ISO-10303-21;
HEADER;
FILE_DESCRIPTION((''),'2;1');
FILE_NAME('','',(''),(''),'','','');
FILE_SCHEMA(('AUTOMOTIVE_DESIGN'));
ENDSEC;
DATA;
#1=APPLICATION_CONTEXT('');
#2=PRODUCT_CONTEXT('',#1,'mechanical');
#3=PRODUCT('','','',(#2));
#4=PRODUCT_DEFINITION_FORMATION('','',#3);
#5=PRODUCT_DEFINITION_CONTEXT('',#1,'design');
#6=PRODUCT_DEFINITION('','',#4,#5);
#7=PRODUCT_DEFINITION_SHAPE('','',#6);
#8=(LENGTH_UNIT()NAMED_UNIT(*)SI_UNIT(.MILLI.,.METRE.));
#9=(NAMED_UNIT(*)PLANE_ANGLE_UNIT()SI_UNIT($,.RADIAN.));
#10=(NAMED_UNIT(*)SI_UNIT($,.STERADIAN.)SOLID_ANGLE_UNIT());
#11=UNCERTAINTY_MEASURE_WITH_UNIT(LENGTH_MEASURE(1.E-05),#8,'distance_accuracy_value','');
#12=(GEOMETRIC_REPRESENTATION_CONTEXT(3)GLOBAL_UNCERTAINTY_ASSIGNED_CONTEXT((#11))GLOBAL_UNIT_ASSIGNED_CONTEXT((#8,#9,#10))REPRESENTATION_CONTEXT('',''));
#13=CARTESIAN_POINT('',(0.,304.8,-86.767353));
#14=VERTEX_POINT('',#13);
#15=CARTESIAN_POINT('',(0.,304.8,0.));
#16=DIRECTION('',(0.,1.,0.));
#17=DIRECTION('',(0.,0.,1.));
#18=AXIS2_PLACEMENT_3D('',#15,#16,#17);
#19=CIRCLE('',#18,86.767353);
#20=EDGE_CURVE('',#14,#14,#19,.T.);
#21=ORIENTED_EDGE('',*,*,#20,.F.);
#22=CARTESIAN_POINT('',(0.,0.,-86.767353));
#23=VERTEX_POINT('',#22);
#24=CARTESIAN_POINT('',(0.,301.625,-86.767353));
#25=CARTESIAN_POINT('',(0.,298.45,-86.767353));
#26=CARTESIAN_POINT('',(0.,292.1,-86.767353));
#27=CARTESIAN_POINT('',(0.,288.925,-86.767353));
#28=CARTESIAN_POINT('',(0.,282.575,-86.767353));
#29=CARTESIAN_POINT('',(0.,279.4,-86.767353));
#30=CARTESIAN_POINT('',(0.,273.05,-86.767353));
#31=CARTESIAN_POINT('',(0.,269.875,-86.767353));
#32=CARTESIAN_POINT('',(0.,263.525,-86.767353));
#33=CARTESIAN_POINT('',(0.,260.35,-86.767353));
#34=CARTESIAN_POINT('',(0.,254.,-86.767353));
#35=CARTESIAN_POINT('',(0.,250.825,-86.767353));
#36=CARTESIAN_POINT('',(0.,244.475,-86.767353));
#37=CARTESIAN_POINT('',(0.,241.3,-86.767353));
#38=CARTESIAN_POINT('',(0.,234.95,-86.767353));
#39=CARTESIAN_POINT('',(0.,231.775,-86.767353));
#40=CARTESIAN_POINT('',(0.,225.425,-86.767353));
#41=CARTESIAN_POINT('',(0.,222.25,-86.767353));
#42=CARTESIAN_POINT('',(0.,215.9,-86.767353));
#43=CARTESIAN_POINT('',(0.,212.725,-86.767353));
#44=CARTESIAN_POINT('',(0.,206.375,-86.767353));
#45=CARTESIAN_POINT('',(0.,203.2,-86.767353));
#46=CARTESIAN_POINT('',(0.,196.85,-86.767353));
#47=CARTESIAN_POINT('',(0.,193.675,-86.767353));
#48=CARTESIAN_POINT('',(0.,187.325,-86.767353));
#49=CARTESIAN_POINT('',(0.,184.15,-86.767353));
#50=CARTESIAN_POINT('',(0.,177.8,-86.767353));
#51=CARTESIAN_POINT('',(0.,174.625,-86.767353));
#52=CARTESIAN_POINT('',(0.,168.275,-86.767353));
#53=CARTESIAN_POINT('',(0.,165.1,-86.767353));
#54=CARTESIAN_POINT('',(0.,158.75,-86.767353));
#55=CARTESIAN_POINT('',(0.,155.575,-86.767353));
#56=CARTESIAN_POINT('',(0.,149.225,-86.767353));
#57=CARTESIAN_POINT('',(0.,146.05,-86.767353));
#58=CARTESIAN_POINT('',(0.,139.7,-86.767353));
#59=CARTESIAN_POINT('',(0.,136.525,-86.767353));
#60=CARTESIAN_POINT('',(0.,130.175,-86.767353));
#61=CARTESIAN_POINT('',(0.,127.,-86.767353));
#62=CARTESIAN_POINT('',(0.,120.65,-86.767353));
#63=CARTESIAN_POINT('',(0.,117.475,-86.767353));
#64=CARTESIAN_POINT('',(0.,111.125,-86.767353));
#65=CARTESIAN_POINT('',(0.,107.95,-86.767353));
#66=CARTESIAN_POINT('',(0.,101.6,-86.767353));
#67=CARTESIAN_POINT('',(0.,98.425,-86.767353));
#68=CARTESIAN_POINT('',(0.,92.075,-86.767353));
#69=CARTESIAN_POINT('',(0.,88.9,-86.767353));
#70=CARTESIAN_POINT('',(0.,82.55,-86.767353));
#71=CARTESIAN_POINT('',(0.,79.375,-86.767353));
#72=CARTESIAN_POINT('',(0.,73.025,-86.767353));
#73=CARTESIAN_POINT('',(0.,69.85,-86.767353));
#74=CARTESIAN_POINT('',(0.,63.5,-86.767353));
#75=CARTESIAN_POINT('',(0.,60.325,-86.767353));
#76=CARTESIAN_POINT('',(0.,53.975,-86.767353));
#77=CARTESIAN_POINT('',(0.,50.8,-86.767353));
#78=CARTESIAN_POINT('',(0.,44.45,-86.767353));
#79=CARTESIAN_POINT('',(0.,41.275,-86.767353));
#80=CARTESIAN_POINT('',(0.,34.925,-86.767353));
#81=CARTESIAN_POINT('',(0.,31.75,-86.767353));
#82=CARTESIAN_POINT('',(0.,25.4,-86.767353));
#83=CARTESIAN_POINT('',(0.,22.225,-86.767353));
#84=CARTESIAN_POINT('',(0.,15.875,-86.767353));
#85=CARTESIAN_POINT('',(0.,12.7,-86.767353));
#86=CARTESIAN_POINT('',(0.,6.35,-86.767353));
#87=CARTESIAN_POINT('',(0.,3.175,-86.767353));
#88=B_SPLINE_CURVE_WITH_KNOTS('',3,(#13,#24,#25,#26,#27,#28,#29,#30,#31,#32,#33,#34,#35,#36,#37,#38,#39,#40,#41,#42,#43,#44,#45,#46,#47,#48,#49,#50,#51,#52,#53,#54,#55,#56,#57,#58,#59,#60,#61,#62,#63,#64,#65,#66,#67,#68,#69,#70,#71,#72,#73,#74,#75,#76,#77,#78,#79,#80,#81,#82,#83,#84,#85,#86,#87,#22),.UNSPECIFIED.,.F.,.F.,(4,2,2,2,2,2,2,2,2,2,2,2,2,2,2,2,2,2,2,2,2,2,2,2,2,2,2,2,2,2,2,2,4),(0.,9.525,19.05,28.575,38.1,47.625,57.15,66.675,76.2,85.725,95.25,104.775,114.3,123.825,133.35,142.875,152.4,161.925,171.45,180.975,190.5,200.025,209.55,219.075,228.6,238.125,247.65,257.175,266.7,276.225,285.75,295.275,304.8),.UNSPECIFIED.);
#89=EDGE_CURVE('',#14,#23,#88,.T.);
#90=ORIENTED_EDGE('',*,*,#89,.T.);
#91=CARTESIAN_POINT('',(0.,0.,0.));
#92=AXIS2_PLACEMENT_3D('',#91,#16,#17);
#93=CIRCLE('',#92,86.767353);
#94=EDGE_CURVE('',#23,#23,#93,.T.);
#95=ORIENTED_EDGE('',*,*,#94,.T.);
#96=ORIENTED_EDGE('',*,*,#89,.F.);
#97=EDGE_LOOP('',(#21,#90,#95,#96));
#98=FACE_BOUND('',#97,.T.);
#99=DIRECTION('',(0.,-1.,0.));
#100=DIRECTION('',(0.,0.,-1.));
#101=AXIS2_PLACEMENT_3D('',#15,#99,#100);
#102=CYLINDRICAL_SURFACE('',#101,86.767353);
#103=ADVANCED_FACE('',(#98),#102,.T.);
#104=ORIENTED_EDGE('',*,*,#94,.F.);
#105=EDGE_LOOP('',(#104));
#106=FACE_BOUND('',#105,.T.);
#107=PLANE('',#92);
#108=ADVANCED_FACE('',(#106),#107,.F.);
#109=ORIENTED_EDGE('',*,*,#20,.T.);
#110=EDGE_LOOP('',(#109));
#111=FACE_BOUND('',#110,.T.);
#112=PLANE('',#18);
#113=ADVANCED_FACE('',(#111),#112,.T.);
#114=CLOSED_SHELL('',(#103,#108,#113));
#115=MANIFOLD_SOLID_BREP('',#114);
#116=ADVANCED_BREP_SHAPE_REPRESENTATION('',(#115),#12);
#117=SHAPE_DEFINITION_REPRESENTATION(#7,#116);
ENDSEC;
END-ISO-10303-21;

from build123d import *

# Parameters (mm, degrees)
SKETCH1_R           = 86.767352835
BOSS_EXTRUDE1_DEPTH = 304.8


with BuildPart() as part:
    # Sketch1 → Boss-Extrude1 (new body)
    with BuildSketch(Plane(origin=(0, 0, 0), x_dir=(1, 0, 0), z_dir=(0, 1, 0))):
        with Locations(Location((0, 0, 0), (0, 0, 90))):
            Circle(SKETCH1_R)
    extrude(amount=BOSS_EXTRUDE1_DEPTH)


solid = part.part
